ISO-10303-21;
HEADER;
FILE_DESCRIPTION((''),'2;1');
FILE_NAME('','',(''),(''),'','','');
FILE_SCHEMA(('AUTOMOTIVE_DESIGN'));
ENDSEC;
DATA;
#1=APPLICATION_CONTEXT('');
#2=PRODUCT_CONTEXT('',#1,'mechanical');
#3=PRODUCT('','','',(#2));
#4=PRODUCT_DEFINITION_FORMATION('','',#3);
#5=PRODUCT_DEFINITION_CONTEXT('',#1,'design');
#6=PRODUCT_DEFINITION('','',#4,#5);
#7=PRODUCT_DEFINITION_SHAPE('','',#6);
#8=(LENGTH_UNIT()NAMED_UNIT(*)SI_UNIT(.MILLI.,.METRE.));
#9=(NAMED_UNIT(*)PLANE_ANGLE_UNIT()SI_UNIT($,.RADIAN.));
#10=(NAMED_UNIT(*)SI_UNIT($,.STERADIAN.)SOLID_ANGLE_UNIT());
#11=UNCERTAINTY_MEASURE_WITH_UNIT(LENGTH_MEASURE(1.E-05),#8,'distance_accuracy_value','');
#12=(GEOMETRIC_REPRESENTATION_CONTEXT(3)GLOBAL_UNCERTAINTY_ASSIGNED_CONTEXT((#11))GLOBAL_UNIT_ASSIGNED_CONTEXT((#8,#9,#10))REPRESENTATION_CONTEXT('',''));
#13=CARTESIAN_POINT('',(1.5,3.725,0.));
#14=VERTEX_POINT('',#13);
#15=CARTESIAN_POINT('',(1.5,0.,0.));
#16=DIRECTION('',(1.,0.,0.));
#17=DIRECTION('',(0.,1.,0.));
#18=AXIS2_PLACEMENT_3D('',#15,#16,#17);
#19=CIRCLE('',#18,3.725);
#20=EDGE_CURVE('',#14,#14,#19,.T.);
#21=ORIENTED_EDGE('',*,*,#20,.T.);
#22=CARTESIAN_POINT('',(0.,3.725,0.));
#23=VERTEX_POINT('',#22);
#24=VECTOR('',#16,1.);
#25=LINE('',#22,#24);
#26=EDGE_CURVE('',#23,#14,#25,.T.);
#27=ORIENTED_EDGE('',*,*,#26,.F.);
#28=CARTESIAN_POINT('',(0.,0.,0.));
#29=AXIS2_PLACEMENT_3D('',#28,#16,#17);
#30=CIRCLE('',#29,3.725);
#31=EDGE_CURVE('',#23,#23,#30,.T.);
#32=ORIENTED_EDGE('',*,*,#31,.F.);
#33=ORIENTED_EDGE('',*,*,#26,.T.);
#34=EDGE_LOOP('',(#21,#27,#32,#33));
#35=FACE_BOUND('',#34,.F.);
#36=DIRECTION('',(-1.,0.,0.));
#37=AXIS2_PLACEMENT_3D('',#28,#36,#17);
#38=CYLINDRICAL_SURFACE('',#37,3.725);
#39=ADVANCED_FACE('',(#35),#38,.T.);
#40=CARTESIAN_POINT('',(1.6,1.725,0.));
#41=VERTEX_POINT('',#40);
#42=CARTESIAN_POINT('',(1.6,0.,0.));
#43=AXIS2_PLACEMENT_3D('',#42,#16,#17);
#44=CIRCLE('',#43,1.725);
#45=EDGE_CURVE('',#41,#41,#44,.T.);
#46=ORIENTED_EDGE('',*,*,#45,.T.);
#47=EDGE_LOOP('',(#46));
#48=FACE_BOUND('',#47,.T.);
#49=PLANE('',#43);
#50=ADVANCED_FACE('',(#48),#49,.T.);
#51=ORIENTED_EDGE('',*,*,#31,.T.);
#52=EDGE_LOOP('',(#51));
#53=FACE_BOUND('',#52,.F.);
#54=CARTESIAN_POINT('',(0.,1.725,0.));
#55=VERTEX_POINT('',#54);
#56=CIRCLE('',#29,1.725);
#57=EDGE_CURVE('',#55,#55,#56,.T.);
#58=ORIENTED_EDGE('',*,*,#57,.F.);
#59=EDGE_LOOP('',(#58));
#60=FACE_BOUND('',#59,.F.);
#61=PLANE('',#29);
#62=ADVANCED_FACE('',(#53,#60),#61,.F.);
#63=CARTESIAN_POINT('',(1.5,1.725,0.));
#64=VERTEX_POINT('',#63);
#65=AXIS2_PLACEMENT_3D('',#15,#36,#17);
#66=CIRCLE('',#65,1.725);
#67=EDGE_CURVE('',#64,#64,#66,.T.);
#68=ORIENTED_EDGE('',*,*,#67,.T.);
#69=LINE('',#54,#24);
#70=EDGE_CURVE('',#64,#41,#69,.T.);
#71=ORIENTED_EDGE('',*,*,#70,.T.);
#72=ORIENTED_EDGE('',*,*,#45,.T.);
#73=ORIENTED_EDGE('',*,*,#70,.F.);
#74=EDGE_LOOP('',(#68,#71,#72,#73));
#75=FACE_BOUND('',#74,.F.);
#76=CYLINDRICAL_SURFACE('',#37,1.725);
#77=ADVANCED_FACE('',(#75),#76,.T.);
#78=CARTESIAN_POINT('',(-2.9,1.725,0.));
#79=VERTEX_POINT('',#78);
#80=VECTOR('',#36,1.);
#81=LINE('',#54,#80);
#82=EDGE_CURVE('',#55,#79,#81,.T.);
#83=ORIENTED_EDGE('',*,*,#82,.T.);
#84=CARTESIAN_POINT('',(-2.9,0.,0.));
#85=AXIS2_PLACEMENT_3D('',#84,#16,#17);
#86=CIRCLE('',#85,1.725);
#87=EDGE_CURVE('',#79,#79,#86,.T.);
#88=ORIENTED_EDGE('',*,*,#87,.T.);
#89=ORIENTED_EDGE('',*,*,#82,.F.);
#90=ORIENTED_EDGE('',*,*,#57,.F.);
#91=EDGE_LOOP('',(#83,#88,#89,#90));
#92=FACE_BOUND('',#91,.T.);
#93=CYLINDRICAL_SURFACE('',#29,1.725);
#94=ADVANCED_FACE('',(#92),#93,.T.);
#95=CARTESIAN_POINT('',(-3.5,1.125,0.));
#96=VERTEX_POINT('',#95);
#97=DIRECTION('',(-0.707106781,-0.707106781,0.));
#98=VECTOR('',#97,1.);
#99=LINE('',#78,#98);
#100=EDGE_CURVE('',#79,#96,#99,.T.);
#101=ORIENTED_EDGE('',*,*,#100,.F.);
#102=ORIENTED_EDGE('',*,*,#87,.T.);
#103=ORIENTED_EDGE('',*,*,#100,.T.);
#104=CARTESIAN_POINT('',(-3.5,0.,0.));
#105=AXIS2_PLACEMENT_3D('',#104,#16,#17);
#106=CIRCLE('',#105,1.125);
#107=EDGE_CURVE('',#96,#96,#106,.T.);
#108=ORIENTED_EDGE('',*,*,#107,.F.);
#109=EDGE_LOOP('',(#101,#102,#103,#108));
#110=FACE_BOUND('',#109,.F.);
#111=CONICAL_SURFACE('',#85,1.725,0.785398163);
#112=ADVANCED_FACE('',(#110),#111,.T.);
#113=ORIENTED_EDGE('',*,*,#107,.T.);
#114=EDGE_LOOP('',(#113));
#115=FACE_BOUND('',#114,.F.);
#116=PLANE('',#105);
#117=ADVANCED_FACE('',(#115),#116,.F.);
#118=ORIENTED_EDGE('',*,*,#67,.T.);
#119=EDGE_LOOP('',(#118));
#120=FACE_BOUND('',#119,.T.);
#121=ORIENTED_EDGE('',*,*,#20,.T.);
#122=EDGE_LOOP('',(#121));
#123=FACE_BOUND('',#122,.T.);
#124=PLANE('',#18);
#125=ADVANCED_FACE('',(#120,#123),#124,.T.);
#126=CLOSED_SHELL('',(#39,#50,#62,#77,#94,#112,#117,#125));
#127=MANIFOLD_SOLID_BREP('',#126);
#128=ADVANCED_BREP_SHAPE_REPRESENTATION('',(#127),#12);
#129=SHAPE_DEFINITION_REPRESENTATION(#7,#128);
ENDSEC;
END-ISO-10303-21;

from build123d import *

# Parameters (mm, degrees)
F0_R     = 3.725
F1_DEPTH = 1.5
F2_R     = 1.725
F3_DEPTH = 3.5
F4_R     = 1.725
F5_DEPTH = 1.6
F6_SIZE  = 0.6


with BuildPart() as f1:
    # F0 (on Right) → F1 (new body)
    with BuildSketch(Plane.YZ):
        Circle(F0_R)
    extrude(amount=F1_DEPTH)

    # F2 (on Right) → F3 (join)
    with BuildSketch(Plane.YZ):
        Circle(F2_R)
    extrude(amount=-F3_DEPTH)

    # F4 (on Right) → F5 (join)
    with BuildSketch(Plane.YZ):
        Circle(F4_R)
    extrude(amount=F5_DEPTH)

    # F6
    f6_edges = [f1.edges().sort_by_distance(p)[0] for p in [
        (-3.5, -1.725, 0),
    ]]
    chamfer(f6_edges, length=F6_SIZE)


solid = f1.part
